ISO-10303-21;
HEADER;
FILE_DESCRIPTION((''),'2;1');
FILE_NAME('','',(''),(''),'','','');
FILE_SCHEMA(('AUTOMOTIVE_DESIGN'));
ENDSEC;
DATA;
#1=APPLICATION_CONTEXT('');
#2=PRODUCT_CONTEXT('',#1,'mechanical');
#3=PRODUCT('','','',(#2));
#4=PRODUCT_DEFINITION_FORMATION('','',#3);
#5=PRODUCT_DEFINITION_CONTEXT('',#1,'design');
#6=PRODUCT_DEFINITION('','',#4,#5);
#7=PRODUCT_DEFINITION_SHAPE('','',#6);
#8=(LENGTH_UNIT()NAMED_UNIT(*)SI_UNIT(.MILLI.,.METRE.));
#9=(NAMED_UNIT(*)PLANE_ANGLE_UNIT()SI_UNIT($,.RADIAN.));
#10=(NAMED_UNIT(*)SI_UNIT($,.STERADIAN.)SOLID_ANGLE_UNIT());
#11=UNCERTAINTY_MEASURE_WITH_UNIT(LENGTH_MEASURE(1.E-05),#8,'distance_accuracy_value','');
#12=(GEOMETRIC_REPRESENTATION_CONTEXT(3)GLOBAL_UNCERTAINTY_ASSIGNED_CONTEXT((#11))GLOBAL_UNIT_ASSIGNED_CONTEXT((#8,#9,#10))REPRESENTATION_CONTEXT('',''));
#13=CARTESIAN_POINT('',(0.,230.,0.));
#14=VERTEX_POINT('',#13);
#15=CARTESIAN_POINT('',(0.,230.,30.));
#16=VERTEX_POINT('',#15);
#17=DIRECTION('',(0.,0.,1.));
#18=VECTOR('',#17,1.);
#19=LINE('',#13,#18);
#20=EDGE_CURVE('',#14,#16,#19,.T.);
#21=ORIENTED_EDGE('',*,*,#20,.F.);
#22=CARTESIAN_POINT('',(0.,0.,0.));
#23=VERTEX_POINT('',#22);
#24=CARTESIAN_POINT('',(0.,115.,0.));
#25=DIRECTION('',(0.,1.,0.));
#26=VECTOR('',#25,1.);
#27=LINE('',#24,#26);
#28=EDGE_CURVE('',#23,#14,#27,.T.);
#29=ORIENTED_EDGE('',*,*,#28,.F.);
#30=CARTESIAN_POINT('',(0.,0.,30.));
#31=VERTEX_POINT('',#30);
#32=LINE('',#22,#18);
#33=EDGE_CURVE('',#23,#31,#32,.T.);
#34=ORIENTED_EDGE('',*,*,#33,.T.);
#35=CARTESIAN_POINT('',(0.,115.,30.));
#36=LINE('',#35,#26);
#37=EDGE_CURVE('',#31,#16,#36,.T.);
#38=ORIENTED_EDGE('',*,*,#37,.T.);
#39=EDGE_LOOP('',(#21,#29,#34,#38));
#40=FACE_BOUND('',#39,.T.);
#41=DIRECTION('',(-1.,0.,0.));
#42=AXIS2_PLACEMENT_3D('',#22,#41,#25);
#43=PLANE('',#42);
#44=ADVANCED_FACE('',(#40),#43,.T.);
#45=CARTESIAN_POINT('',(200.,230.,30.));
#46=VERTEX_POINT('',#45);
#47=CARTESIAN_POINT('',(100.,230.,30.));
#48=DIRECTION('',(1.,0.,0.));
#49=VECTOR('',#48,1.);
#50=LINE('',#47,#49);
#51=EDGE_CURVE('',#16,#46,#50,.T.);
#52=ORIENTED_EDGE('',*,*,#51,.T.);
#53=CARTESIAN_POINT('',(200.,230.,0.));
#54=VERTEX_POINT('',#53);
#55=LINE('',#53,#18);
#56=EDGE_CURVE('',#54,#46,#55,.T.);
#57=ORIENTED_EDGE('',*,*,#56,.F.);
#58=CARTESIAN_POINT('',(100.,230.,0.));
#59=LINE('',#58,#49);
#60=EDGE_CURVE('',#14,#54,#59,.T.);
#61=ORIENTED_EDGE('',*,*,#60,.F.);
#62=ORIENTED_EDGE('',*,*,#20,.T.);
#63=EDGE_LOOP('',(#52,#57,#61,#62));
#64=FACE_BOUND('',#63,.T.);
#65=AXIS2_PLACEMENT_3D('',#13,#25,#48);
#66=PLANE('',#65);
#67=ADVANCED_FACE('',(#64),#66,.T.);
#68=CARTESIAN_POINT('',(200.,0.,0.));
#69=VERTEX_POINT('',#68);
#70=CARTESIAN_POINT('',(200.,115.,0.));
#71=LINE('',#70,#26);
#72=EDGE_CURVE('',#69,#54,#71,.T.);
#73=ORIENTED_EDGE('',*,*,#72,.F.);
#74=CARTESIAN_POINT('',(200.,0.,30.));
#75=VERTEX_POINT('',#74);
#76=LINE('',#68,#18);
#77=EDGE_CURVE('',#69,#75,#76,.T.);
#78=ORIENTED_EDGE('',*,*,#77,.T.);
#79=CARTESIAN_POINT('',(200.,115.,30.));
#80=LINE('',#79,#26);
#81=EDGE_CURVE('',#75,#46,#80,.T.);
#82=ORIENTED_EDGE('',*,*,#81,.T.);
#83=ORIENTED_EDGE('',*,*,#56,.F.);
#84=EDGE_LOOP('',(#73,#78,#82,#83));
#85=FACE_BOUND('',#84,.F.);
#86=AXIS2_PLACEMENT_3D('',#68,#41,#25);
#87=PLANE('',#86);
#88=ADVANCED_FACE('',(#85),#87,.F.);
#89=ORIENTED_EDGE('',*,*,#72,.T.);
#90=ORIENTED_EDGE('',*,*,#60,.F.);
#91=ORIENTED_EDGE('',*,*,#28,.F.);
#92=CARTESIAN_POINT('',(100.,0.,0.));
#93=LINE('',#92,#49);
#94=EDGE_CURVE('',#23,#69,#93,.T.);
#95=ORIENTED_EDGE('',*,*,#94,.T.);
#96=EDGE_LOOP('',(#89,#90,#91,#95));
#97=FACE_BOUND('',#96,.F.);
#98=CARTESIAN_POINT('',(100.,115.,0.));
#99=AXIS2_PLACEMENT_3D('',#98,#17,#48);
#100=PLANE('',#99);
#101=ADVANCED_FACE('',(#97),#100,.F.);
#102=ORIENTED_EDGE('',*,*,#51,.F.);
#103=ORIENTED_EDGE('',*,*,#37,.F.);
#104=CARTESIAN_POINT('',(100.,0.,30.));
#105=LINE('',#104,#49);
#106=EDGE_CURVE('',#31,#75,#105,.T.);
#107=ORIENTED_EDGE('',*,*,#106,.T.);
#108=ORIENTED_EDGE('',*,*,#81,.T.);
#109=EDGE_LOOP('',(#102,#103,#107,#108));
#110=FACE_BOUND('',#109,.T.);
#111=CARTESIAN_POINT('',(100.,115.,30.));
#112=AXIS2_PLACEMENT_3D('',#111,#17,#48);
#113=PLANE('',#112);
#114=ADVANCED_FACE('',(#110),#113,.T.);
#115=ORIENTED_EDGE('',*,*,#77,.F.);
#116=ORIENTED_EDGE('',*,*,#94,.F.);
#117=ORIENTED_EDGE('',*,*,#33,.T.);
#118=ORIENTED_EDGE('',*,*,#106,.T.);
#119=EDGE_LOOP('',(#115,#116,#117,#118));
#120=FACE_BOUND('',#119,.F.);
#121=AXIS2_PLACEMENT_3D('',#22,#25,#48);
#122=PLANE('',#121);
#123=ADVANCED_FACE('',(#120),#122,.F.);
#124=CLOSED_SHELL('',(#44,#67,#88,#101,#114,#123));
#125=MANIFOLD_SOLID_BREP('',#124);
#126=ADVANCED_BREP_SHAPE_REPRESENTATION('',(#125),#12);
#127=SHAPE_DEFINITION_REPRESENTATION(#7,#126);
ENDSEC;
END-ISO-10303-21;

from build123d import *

# Parameters (mm, degrees)
BOX_W     = 200
BOX_H     = 230
BOX_DEPTH = 30


with BuildPart() as part:
    # Box → Box (new body)
    with BuildSketch(Plane.XY):
        with Locations((100, 115)):
            Rectangle(BOX_W, BOX_H)
    extrude(amount=BOX_DEPTH)


solid = part.part
